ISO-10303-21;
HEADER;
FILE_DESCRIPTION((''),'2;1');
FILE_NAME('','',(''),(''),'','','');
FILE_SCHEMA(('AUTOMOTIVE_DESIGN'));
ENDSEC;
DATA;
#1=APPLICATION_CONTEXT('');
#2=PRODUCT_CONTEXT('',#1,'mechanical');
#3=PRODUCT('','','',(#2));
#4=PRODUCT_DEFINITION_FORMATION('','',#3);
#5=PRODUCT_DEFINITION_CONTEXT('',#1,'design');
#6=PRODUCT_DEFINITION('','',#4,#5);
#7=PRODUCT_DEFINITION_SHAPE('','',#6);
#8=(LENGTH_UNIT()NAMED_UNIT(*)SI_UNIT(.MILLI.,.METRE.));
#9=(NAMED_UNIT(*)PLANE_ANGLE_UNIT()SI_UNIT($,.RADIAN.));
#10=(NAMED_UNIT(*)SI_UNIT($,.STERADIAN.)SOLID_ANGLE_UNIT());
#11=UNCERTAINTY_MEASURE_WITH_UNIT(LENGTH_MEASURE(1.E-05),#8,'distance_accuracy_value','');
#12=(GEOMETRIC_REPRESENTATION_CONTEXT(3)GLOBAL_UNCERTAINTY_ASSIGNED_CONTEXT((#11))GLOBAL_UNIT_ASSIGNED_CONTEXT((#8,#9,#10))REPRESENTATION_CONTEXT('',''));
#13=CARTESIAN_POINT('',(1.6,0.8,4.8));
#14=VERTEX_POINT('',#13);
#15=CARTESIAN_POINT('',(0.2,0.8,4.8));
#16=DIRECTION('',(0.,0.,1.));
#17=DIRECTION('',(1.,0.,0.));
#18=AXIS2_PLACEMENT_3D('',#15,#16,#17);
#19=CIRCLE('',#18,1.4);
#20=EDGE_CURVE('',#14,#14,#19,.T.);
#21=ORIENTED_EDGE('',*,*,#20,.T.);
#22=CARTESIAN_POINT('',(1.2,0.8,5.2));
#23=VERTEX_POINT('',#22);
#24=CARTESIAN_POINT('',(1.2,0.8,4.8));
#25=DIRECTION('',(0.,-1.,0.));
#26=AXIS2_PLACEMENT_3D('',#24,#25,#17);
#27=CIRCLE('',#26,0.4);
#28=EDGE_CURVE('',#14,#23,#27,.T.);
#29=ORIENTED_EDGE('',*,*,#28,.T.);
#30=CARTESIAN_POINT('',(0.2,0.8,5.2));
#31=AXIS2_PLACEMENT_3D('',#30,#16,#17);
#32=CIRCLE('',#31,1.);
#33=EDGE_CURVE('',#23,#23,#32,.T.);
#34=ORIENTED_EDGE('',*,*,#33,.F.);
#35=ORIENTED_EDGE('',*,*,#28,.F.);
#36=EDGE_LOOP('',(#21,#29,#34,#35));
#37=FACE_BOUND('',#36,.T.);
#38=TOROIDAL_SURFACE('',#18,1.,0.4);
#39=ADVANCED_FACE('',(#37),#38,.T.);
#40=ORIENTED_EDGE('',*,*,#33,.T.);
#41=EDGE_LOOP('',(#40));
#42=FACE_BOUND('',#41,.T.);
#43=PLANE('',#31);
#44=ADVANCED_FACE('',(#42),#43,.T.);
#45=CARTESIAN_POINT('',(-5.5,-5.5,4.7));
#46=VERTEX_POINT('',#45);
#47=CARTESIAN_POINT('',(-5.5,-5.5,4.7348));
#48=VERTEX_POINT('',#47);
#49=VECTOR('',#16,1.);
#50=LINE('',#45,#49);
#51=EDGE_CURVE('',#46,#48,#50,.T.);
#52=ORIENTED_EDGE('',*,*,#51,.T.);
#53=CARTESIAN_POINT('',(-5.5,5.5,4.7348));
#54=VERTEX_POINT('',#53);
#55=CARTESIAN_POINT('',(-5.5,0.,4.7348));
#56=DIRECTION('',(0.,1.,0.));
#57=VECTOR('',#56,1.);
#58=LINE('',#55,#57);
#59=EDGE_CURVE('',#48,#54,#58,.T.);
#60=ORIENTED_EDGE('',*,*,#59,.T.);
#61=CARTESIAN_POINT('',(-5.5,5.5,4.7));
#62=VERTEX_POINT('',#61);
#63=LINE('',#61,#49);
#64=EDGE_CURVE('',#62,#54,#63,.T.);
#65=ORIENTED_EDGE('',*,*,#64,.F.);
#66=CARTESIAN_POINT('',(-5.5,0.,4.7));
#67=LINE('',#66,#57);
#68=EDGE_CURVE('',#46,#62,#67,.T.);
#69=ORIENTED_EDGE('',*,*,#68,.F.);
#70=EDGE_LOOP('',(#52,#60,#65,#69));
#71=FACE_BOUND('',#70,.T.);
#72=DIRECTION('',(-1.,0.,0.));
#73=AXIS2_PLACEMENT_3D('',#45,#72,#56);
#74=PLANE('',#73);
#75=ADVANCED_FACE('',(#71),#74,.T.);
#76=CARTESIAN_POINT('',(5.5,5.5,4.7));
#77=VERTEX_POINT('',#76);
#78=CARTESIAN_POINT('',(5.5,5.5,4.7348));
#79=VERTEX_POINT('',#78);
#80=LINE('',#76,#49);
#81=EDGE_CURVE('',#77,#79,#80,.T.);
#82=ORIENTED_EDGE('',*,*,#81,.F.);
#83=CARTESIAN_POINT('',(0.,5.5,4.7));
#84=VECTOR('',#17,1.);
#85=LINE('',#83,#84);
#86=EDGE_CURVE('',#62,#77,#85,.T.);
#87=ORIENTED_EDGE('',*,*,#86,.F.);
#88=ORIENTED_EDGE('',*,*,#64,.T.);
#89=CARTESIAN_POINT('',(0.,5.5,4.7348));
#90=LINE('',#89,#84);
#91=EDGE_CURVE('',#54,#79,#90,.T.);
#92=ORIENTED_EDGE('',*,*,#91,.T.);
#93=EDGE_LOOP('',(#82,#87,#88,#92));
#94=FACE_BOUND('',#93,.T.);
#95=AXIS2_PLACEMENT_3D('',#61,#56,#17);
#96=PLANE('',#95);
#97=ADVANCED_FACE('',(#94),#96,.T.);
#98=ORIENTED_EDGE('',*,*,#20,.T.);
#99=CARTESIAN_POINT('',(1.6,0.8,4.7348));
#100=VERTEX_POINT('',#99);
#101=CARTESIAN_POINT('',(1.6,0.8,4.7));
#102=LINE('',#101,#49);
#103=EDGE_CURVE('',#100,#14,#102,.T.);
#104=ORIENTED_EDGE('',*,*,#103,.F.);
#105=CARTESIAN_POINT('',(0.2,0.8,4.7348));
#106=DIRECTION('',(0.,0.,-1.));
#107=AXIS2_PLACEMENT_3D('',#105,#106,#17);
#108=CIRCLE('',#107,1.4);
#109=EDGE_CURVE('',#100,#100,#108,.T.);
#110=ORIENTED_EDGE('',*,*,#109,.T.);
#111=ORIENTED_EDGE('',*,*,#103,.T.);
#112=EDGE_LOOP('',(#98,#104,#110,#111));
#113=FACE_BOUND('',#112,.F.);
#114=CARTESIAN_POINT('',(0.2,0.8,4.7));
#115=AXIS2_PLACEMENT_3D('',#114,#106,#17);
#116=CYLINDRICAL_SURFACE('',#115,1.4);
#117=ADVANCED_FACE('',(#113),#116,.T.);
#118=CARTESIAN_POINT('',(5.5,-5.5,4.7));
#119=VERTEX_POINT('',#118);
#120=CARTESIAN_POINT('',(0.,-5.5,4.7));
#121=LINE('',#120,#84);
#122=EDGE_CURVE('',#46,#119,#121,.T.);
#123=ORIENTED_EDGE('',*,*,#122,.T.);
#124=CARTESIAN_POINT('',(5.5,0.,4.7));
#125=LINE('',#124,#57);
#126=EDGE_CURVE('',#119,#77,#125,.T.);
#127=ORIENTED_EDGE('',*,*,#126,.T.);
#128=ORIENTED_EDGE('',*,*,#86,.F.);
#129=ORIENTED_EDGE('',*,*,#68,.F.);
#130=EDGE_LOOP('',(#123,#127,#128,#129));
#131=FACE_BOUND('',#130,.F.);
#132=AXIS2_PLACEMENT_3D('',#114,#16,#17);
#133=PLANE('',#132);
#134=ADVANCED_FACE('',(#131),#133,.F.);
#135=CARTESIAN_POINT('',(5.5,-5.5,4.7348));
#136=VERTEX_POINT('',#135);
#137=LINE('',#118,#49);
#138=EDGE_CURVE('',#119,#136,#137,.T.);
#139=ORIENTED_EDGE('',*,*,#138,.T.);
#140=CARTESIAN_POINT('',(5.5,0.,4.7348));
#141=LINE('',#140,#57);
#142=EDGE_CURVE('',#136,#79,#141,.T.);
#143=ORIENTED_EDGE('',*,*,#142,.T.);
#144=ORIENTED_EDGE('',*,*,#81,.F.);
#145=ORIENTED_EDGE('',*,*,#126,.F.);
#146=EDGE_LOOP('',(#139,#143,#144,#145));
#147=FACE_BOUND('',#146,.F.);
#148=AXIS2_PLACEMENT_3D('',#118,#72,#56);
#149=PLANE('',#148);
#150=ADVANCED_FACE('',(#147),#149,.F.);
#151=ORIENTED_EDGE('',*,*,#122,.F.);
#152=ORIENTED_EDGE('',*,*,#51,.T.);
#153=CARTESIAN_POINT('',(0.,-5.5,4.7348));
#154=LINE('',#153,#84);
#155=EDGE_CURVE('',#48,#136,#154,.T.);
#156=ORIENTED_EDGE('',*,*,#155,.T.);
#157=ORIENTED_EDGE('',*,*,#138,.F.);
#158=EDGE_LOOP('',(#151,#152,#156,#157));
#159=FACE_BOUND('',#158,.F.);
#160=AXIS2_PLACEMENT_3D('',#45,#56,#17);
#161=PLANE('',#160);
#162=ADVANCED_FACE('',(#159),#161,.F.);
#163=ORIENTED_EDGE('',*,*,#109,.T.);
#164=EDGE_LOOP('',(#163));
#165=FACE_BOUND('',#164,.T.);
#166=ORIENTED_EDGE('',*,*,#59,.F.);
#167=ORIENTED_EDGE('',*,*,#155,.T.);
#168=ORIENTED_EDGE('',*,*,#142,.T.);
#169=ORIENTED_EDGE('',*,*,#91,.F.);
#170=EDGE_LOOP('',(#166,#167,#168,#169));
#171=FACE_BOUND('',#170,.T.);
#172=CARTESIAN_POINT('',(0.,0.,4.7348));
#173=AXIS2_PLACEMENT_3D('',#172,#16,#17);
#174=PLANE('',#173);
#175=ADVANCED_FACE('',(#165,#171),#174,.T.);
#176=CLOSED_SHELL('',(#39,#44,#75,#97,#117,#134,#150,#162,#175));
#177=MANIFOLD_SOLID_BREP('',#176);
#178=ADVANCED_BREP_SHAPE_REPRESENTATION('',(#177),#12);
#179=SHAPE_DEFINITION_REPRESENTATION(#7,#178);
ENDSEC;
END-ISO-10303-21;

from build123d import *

# Parameters (mm, degrees)
SKETCH006_W  = 11
SKETCH006_H  = 11
PAD003_DEPTH = 0.0348
SKETCH007_R  = 1.4
PAD004_DEPTH = 0.5
FILLET_R     = 0.4


with BuildPart() as part:
    # Sketch006 → Pad003 (new body)
    with BuildSketch(Plane.XY):
        Rectangle(SKETCH006_W, SKETCH006_H)
    extrude(amount=PAD003_DEPTH)

    # Sketch007 → Pad004 (join)
    with BuildSketch(Plane.XY):
        with Locations((0.2, 0.8)):
            Circle(SKETCH007_R)
    extrude(amount=PAD004_DEPTH)

    # Fillet
    fillet_edges = [part.edges().sort_by_distance(p)[0] for p in [
        (-1.2, 0.8, 0.5),
    ]]
    fillet(fillet_edges, radius=FILLET_R)


with BuildPart() as part_1:
    # Body003 placement: moved
    add(part.part.moved(Location((0, 0, 4.7))))


solid = part_1.part
